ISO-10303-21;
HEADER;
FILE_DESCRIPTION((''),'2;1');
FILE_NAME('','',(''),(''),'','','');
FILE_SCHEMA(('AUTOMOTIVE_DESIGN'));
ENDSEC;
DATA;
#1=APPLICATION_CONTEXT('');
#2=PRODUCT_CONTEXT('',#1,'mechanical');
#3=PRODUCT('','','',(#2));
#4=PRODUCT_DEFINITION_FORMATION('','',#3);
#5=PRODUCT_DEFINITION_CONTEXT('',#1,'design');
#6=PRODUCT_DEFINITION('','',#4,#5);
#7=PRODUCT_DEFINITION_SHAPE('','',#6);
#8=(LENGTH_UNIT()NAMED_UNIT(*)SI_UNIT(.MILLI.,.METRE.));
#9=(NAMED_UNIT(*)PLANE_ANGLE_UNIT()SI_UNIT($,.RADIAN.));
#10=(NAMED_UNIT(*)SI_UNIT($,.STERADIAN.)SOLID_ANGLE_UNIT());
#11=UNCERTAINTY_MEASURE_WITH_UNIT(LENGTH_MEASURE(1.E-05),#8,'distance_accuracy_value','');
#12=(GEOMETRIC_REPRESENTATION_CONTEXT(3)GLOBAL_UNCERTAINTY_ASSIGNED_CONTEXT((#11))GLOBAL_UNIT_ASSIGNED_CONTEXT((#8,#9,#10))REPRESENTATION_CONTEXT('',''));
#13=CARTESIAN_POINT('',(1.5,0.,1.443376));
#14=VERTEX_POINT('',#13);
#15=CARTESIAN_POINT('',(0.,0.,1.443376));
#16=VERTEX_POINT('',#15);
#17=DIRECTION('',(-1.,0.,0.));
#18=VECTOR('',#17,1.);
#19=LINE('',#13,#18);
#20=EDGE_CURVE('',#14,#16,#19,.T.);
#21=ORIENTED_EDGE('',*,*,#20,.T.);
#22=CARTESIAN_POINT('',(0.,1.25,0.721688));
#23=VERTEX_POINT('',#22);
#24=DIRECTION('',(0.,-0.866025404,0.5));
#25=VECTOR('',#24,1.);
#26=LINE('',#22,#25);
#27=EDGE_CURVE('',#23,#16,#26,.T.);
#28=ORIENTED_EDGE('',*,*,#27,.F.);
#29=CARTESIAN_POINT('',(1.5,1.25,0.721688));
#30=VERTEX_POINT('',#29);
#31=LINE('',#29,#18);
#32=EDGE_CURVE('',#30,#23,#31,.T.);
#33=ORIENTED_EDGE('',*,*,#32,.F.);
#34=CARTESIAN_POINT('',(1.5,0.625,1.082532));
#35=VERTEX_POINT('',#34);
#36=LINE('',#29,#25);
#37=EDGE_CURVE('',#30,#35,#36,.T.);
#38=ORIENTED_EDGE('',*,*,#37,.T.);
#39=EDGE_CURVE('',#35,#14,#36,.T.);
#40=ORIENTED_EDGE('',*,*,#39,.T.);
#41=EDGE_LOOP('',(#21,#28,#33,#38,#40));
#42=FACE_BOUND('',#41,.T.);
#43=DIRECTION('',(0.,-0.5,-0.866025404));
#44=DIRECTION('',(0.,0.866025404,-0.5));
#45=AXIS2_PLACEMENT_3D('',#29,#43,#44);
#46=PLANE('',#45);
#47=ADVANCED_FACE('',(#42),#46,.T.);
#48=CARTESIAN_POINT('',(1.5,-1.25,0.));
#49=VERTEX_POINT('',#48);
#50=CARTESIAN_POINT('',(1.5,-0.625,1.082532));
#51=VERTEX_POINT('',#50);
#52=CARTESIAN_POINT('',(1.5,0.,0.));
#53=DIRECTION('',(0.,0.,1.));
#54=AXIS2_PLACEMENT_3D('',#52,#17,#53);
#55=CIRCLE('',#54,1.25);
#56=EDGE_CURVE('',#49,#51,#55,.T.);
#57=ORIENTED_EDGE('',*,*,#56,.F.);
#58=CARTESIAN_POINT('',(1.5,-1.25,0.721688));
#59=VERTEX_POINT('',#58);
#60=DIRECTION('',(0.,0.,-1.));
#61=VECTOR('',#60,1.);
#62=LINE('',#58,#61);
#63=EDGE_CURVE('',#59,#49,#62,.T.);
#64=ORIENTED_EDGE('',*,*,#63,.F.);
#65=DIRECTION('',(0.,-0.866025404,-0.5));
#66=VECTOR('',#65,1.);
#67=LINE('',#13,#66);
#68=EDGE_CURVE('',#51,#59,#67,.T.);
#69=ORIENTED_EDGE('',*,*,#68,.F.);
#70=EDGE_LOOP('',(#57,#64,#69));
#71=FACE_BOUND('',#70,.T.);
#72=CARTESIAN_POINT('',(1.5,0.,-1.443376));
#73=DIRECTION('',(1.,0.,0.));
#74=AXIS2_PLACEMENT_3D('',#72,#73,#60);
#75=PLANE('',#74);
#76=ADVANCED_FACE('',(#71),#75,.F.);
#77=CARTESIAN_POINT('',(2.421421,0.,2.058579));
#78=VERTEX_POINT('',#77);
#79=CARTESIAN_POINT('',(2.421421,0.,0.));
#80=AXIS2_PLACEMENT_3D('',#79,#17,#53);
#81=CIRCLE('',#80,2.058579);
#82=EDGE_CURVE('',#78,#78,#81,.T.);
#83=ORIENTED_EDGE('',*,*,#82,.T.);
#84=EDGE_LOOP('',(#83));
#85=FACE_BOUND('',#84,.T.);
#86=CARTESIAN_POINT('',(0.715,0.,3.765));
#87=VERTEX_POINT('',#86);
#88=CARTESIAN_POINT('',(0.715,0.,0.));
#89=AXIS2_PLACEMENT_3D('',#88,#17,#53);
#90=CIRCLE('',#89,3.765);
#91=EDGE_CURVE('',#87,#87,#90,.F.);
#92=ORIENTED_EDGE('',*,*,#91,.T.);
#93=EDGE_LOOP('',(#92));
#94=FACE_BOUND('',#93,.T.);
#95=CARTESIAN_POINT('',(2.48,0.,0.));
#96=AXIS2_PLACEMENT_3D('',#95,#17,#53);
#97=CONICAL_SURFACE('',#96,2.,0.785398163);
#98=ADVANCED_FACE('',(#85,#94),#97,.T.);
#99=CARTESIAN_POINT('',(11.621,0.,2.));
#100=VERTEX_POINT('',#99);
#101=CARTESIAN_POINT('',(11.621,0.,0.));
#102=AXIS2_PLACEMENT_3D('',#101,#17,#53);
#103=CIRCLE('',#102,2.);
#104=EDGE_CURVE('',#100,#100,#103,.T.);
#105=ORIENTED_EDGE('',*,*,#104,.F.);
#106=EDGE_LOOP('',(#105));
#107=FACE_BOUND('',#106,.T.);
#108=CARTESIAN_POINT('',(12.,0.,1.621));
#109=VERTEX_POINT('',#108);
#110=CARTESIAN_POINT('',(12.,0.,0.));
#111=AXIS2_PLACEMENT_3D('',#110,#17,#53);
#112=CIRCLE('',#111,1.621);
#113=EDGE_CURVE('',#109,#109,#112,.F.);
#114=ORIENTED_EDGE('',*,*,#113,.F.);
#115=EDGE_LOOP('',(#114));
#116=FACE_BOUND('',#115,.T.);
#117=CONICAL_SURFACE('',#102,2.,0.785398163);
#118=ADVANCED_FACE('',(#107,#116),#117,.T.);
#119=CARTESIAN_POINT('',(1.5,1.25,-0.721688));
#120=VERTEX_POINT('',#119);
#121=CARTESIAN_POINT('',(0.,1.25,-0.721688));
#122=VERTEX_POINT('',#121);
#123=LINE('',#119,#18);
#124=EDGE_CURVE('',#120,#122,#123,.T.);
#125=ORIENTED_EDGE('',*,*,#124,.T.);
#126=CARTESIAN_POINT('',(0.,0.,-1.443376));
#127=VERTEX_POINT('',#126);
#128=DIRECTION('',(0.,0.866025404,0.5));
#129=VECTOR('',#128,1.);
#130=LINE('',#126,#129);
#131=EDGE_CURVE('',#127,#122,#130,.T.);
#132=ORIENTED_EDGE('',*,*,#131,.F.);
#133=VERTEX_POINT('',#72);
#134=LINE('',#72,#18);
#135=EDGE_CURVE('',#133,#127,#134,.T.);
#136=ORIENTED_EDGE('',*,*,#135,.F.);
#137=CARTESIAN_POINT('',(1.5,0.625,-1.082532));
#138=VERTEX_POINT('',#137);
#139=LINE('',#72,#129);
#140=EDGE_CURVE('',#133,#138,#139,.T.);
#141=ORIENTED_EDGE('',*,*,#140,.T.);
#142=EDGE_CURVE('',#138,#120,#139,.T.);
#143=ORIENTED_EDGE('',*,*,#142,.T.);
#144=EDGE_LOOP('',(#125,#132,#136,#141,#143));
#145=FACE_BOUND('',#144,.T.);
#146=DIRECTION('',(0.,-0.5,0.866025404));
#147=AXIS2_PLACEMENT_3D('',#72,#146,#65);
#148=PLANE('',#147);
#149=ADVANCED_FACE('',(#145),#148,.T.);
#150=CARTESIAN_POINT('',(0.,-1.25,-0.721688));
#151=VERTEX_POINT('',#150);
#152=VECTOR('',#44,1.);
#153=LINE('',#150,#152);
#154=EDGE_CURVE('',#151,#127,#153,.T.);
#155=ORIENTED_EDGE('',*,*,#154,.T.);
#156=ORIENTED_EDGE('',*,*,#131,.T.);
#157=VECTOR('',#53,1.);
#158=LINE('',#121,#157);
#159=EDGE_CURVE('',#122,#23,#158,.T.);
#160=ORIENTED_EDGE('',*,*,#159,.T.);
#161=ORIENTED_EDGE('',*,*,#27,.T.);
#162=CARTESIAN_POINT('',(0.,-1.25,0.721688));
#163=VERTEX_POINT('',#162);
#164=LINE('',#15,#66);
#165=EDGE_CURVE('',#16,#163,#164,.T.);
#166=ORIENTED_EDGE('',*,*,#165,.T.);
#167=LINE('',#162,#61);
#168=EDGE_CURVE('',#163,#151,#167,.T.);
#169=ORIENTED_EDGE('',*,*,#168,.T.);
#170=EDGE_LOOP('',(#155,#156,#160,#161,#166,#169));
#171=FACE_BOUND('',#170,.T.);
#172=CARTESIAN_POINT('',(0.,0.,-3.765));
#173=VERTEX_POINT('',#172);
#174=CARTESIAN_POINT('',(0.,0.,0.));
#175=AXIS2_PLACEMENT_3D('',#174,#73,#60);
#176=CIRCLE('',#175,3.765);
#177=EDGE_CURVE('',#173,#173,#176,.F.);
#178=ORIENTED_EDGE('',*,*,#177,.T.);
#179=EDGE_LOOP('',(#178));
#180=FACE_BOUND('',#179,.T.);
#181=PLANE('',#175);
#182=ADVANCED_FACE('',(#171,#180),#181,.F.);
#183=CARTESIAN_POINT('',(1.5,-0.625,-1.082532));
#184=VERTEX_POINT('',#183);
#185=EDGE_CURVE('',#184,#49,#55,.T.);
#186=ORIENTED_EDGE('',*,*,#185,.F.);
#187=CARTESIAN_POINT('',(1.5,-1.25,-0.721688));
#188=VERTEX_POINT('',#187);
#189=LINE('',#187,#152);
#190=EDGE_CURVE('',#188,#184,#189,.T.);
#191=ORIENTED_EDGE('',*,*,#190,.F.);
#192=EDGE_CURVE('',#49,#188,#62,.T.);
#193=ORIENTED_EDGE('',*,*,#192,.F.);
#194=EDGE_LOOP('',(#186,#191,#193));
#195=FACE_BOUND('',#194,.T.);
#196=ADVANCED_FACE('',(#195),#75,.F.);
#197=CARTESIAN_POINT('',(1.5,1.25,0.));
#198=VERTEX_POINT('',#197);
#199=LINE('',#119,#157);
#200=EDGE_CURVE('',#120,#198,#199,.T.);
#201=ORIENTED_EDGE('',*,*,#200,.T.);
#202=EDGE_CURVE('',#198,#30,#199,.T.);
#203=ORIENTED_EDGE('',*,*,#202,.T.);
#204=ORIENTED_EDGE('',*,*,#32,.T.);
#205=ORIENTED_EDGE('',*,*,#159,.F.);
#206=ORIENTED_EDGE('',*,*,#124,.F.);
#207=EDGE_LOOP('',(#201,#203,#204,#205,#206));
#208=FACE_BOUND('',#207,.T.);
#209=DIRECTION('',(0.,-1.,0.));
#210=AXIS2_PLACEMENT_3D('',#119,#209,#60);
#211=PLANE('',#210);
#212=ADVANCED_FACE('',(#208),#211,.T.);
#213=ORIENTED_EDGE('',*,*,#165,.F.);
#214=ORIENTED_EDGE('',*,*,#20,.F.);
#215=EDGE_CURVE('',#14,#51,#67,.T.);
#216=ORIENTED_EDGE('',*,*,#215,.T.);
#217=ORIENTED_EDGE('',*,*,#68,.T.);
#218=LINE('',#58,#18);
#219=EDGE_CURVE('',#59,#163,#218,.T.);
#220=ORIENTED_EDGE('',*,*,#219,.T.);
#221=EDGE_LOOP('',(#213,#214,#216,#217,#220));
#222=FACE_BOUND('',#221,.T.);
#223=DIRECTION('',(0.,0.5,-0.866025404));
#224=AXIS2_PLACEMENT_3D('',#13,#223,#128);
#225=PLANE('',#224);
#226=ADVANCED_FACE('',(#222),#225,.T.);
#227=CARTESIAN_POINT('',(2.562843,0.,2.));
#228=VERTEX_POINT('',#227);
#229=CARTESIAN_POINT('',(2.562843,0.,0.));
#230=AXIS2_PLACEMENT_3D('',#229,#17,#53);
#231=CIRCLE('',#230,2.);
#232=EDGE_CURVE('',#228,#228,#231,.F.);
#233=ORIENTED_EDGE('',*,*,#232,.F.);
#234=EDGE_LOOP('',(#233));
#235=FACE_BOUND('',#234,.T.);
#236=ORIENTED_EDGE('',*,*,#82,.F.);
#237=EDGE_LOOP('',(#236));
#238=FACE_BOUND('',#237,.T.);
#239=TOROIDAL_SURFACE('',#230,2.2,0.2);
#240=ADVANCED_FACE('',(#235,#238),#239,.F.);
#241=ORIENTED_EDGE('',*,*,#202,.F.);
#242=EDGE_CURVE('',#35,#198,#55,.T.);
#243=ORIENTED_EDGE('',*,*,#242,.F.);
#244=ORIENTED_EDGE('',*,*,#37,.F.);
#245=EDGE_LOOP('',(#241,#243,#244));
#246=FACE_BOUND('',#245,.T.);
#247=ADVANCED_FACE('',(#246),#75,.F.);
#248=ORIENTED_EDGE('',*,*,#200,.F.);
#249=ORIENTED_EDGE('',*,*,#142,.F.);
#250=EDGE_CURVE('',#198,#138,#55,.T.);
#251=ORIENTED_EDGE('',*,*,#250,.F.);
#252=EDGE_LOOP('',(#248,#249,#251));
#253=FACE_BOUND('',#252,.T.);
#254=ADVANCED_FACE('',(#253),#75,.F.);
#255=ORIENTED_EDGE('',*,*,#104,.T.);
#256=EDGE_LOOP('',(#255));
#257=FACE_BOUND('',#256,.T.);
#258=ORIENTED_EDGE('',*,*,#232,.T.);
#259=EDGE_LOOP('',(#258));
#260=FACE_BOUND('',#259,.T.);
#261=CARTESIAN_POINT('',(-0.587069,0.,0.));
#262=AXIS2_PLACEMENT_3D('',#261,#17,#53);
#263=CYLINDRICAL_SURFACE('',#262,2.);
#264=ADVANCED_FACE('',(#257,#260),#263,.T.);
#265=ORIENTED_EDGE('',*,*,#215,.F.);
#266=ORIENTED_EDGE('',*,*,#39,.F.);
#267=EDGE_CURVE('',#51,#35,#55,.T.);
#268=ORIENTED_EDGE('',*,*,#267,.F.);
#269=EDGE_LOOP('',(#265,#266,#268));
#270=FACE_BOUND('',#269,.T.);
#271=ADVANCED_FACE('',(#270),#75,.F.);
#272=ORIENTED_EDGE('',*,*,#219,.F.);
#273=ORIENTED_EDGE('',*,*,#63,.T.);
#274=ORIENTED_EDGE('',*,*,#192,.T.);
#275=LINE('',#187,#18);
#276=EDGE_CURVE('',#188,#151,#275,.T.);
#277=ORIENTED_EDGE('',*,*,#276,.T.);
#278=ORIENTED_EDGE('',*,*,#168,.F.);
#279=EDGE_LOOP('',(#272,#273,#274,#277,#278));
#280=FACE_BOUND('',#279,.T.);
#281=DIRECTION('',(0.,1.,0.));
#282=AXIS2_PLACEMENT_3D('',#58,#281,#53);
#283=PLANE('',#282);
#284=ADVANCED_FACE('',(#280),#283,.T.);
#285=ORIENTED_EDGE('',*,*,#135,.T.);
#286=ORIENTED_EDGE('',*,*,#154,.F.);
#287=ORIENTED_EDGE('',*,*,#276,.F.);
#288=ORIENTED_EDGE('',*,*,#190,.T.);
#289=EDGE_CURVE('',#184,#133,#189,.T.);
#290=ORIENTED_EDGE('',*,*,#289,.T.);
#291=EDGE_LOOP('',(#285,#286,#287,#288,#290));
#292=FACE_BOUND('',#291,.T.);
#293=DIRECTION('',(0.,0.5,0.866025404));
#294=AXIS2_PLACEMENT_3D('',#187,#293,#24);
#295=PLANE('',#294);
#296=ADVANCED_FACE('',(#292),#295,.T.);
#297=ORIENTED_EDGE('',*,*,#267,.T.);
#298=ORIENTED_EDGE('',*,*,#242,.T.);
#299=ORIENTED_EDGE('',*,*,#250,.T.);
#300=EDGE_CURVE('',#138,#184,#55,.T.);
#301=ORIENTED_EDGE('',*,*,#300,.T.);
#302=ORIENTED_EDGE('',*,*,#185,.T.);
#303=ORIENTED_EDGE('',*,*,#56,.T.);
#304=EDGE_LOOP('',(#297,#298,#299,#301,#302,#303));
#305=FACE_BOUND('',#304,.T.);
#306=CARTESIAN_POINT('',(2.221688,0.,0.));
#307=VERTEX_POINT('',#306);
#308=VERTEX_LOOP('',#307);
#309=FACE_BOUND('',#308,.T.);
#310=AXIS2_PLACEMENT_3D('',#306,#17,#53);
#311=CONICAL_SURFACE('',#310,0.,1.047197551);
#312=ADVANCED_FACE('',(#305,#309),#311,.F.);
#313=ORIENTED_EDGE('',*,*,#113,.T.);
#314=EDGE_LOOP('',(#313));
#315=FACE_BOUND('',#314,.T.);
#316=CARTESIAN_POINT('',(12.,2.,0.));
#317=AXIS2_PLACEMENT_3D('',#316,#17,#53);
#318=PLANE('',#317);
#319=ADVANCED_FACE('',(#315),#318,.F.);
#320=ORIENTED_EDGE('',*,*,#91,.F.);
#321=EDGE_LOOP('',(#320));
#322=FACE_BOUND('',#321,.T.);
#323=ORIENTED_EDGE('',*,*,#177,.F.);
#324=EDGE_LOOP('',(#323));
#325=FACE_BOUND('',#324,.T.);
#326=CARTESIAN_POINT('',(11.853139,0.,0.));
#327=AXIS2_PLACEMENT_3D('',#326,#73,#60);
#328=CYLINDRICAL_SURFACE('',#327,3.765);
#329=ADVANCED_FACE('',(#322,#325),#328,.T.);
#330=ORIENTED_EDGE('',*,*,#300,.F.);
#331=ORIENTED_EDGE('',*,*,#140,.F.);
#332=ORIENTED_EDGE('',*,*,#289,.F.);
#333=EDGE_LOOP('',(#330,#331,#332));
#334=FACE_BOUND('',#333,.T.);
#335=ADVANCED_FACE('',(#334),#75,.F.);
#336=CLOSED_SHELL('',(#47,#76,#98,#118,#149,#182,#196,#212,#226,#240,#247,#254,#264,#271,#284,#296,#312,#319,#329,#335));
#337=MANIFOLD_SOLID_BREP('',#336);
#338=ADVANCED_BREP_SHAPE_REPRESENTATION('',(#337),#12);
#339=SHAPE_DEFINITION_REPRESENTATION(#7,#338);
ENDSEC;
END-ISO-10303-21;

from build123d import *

# Parameters (mm, degrees)
HEXAGONSOCKET_DEPTH = 1.5
HEADFILLET_R        = 0.2
CHAMFER_2_SIZE      = 0.379
SKETCH4_W           = 5
SKETCH4_H           = 5


with BuildPart() as part:
    # Sketch1 → Base (revolve)
    with BuildSketch(Plane.XY, mode=Mode.PRIVATE) as base_sk:
        Polygon((0, 0), (0, 4.48), (2.48, 2), (12, 2), (12, 0), align=None)
    revolve(base_sk.sketch.rotate(Axis((-0.587069181, 0, 0), (1, 0, 0)), 90), axis=Axis((-0.587069181, 0, 0), (1, 0, 0)))

    # Sketch2 → HexagonSocket (cut)
    with BuildSketch(Plane(origin=(0, 0, 0), x_dir=(0, 0, -1), z_dir=(1, 0, 0))):
        Polygon((1.443375673, 0), (0.721687836, 1.25), (-0.721687836, 1.25), (-1.443375673, 0), (-0.721687836, -1.25), (0.721687836, -1.25), align=None)
    extrude(amount=HEXAGONSOCKET_DEPTH, mode=Mode.SUBTRACT)

    # Sketch3 → Cut-Revolve1 (revolve, cut)
    with BuildSketch(Plane.XY, mode=Mode.PRIVATE) as cut_revolve1_sk:
        Polygon((1.5, 1.25), (2.221687836, 0), (1.5, 0), align=None)
    revolve(cut_revolve1_sk.sketch.rotate(Axis((-0.439109555, 0, 0), (1, 0, 0)), 90), axis=Axis((-0.439109555, 0, 0), (1, 0, 0)), mode=Mode.SUBTRACT)

    # HeadFillet
    headfillet_edges = [part.edges().sort_by_distance(p)[0] for p in [
        (2.48, 0, -2),
    ]]
    fillet(headfillet_edges, radius=HEADFILLET_R)

    # Chamfer 2
    chamfer_2_edges = [part.edges().sort_by_distance(p)[0] for p in [
        (12, 0, -2),
    ]]
    chamfer(chamfer_2_edges, length=CHAMFER_2_SIZE)

    # Sketch4 → Cut-Revolve2 (revolve, cut)
    with BuildSketch(Plane(origin=(0, 0, 0), x_dir=(1, 0, 0), z_dir=(0, 1, 0)), mode=Mode.PRIVATE) as cut_revolve2_sk:
        with Locations((0.5, 6.265)):
            Rectangle(SKETCH4_W, SKETCH4_H)
    revolve(cut_revolve2_sk.sketch.rotate(Axis((11.853138686, 0, 0), (-1, 0, 0)), 180), axis=Axis((11.853138686, 0, 0), (-1, 0, 0)), mode=Mode.SUBTRACT)


solid = part.part
